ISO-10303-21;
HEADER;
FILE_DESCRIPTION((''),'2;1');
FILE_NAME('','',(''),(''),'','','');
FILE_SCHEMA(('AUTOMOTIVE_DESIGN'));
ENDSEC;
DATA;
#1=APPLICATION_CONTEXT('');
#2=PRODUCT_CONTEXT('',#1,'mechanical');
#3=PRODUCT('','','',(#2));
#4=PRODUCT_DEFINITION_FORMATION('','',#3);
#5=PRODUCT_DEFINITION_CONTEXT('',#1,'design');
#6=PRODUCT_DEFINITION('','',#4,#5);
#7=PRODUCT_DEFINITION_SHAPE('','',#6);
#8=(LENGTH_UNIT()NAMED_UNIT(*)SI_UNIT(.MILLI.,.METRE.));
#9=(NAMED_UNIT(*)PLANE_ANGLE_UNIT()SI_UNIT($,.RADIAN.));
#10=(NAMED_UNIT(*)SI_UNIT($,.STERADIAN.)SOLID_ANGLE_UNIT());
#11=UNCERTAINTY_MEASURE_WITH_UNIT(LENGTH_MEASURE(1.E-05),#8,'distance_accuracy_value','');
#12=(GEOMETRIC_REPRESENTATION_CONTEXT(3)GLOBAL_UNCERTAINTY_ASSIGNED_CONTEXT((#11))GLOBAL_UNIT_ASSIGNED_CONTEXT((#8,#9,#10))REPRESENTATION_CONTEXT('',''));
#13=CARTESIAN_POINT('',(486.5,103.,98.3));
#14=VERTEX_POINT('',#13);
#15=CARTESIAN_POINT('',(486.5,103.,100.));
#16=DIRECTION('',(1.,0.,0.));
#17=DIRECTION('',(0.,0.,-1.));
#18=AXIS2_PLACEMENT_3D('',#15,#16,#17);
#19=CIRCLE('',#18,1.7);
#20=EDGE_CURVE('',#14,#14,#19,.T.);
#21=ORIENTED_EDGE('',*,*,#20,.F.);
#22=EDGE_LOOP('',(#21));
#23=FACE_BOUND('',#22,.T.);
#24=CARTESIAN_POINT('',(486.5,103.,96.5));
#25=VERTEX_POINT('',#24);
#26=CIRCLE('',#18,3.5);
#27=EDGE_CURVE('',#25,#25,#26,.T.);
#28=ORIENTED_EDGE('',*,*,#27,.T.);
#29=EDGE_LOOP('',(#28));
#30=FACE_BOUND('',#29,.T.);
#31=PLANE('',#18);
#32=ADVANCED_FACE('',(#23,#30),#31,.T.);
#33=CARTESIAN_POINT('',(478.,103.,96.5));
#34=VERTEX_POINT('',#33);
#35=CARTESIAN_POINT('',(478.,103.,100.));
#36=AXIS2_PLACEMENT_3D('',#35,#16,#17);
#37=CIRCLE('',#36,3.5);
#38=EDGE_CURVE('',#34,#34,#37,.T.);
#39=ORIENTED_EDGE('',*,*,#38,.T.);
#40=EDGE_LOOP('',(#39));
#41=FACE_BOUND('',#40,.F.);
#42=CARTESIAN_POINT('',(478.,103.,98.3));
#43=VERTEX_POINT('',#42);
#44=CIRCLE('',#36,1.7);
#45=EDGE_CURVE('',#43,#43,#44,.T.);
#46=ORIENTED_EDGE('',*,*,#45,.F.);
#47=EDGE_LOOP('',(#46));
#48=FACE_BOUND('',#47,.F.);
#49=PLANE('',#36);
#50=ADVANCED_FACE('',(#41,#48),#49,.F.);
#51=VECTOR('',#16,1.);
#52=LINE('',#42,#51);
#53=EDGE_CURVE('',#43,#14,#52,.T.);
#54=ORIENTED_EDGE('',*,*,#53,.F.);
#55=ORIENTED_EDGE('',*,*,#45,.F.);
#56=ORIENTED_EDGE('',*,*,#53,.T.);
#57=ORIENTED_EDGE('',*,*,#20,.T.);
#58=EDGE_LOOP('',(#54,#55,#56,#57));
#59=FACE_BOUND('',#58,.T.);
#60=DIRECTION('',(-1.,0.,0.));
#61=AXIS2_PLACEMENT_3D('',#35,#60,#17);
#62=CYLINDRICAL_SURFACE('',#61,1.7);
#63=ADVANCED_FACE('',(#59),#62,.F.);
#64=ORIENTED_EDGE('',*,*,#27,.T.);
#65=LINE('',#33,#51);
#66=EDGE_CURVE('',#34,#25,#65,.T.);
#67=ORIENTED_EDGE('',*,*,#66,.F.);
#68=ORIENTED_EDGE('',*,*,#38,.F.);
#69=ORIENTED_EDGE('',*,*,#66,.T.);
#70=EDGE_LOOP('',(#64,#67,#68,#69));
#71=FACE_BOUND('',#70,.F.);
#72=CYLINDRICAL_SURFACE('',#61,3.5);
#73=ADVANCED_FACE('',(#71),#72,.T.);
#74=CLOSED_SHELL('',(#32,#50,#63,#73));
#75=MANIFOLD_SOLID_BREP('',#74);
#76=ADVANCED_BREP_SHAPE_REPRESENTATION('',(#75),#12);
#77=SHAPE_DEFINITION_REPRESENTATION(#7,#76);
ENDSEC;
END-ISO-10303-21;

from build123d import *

# Parameters (mm, degrees)
CYLINDER1392_R     = 1.7
CYLINDER1392_DEPTH = 8.5
CYLINDER1390_R     = 3.5
CYLINDER1390_DEPTH = 8.5


with BuildPart() as cylinder1392:
    # Cylinder1392 → Cylinder1392 (new body)
    with BuildSketch(Plane(origin=(436, 103, 100), x_dir=(0, 0, -1), z_dir=(1, 0, 0))):
        Circle(CYLINDER1392_R)
    extrude(amount=CYLINDER1392_DEPTH)


with BuildPart() as bucket_left_half_long_spacer:
    # Cylinder1390 → Cylinder1390 (new body)
    with BuildSketch(Plane(origin=(436, 103, 100), x_dir=(0, 0, -1), z_dir=(1, 0, 0))):
        Circle(CYLINDER1390_R)
    extrude(amount=CYLINDER1390_DEPTH)

    # Cut014357: cut Cylinder1392
    add(cylinder1392.part, mode=Mode.SUBTRACT)


with BuildPart() as bucket_left_half_long_spacer_1:
    # Cut014357 placement: moved
    add(bucket_left_half_long_spacer.part.moved(Location((42, 0, 0))))


solid = bucket_left_half_long_spacer_1.part
